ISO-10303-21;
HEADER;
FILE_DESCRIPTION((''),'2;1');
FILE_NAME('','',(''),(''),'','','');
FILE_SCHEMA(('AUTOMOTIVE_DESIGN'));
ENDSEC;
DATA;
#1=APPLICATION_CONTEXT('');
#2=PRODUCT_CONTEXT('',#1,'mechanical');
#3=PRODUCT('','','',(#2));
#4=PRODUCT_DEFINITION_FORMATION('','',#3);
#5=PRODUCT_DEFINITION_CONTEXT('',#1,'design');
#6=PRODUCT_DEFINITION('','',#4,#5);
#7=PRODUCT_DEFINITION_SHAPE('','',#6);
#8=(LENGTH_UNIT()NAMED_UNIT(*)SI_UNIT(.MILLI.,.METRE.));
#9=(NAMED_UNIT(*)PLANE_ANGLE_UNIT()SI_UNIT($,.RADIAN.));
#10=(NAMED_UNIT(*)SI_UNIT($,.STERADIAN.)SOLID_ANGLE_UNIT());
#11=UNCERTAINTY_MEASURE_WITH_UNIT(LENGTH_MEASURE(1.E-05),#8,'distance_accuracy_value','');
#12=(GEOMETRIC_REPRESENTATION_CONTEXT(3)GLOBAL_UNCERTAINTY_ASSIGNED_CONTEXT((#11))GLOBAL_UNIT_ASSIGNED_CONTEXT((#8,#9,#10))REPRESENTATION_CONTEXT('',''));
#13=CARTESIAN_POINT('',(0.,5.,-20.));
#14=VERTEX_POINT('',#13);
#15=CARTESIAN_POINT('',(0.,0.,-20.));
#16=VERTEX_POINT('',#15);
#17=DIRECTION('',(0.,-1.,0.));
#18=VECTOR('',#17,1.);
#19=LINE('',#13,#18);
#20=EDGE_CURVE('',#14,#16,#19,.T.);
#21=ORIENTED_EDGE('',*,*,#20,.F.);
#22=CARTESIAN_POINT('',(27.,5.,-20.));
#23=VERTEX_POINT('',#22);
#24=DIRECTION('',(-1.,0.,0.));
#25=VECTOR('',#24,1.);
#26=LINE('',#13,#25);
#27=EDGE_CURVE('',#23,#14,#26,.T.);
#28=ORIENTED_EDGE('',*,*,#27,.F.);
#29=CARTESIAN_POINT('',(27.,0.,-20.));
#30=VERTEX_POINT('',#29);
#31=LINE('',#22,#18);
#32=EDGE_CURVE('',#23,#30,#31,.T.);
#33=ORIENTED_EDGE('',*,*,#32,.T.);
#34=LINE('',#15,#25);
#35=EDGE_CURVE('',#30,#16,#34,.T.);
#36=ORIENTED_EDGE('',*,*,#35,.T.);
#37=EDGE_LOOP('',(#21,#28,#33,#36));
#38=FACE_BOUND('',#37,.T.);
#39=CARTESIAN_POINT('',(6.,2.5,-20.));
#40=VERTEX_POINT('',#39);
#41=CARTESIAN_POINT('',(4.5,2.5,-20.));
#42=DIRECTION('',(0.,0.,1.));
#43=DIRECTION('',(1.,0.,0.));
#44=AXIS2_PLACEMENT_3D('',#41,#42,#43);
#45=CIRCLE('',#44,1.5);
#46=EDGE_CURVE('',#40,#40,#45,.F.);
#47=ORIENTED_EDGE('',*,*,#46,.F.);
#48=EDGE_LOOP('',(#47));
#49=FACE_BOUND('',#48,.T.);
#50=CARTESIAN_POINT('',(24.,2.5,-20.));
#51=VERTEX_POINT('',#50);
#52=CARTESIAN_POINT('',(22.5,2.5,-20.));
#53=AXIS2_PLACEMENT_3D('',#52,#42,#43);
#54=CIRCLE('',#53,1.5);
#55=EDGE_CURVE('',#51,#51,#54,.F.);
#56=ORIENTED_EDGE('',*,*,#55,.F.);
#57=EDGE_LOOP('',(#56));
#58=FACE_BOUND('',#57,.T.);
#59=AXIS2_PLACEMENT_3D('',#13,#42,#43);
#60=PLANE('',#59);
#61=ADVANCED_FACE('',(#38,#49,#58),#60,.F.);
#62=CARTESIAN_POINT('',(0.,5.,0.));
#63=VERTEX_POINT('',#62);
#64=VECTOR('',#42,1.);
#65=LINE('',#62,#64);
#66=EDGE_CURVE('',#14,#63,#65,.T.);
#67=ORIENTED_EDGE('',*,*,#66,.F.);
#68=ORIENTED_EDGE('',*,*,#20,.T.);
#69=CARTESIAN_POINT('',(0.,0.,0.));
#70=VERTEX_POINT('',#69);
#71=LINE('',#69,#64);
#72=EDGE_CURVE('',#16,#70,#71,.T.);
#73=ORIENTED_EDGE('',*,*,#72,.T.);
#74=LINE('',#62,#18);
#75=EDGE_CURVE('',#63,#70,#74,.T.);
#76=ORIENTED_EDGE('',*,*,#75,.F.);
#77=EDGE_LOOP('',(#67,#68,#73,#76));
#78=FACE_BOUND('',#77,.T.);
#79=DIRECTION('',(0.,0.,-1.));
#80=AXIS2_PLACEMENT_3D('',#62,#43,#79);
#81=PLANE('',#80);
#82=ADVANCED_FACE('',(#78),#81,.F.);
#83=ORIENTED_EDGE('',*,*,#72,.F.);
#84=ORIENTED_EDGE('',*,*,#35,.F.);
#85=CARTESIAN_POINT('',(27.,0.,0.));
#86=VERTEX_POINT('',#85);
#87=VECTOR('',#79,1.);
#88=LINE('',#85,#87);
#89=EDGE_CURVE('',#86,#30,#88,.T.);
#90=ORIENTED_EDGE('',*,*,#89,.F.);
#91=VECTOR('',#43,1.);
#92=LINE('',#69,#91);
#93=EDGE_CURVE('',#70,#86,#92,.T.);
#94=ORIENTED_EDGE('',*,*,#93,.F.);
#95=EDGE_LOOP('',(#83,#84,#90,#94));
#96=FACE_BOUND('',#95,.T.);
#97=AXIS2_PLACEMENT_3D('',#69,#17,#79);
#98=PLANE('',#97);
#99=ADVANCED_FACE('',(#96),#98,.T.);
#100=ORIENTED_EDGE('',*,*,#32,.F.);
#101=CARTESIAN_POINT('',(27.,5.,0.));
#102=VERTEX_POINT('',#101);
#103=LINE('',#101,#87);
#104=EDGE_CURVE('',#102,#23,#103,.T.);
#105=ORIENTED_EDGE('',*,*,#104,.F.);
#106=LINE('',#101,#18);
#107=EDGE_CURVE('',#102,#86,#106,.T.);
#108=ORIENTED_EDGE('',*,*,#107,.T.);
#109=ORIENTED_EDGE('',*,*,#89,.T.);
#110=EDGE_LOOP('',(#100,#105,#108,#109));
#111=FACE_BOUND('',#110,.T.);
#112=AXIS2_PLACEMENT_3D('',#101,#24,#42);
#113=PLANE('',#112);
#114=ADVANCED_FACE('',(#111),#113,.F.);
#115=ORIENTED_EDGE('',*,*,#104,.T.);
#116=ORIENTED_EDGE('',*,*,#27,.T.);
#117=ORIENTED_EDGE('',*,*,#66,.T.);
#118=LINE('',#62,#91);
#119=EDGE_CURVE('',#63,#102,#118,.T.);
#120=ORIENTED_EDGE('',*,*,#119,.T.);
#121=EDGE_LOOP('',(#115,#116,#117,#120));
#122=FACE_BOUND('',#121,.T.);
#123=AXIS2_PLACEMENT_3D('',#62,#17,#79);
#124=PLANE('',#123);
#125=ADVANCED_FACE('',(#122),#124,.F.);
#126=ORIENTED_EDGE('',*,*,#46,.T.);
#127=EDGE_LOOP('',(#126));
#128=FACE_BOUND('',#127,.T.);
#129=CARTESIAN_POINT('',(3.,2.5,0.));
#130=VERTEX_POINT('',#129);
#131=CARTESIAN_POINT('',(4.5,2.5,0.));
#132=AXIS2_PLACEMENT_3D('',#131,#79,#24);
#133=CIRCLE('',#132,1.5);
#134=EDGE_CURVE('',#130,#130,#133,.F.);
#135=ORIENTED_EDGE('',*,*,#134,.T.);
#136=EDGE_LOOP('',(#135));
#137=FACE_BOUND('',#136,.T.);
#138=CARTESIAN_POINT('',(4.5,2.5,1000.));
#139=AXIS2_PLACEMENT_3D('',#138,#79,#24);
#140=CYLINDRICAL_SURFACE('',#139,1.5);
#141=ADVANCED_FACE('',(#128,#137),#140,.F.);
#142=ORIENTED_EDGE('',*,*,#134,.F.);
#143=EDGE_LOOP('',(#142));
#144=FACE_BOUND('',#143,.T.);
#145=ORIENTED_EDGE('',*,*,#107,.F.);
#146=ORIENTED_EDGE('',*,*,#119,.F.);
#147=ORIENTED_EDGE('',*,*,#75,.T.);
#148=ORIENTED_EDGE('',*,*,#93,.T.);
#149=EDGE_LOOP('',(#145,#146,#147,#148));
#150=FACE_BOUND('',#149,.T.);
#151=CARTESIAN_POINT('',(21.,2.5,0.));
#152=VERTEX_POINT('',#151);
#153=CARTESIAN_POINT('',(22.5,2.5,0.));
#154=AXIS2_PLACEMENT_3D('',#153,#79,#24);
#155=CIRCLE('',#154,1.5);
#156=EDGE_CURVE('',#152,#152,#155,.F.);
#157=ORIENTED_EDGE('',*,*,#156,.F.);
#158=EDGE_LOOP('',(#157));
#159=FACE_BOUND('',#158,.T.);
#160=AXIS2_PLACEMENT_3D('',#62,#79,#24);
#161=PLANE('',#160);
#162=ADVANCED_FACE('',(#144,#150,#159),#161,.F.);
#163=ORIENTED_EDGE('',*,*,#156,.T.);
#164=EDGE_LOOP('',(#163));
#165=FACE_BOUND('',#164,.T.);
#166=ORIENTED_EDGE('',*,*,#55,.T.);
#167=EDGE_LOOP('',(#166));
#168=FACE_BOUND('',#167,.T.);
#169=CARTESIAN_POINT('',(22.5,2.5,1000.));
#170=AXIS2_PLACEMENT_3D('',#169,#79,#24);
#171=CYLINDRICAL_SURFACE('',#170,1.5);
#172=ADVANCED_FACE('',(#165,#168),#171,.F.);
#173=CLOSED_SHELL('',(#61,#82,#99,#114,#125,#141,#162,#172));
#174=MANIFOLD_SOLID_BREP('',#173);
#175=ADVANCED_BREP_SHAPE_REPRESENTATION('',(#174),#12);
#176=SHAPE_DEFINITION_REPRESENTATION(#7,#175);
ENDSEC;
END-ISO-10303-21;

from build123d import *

# Parameters (mm, degrees)
SKETCH1_W               = 27
SKETCH1_H               = 20
BOSS_EXTRUDE1_DEPTH     = 5
CUT_EXTRUDE1_DEPTH      = 1000
CUT_EXTRUDE1_DEPTH_BACK = 1000
SKETCH2_R               = 1.5


with BuildPart() as part:
    # Sketch1 → Boss-Extrude1 (new body)
    with BuildSketch(Plane(origin=(0, 0, 0), x_dir=(1, 0, 0), z_dir=(0, 1, 0))):
        with Locations((13.5, 10)):
            Rectangle(SKETCH1_W, SKETCH1_H)
    extrude(amount=BOSS_EXTRUDE1_DEPTH)

    # Sketch2 → Cut-Extrude1 (cut, two sides: drawn at the far end of the back side and taken through both)
    with BuildSketch(Plane.XY.offset(-CUT_EXTRUDE1_DEPTH_BACK)):
        with Locations((4.5, 2.5)):
            Circle(SKETCH2_R)
        with Locations((22.5, 2.5)):
            Circle(SKETCH2_R)
    extrude(amount=CUT_EXTRUDE1_DEPTH + CUT_EXTRUDE1_DEPTH_BACK, mode=Mode.SUBTRACT)


solid = part.part
